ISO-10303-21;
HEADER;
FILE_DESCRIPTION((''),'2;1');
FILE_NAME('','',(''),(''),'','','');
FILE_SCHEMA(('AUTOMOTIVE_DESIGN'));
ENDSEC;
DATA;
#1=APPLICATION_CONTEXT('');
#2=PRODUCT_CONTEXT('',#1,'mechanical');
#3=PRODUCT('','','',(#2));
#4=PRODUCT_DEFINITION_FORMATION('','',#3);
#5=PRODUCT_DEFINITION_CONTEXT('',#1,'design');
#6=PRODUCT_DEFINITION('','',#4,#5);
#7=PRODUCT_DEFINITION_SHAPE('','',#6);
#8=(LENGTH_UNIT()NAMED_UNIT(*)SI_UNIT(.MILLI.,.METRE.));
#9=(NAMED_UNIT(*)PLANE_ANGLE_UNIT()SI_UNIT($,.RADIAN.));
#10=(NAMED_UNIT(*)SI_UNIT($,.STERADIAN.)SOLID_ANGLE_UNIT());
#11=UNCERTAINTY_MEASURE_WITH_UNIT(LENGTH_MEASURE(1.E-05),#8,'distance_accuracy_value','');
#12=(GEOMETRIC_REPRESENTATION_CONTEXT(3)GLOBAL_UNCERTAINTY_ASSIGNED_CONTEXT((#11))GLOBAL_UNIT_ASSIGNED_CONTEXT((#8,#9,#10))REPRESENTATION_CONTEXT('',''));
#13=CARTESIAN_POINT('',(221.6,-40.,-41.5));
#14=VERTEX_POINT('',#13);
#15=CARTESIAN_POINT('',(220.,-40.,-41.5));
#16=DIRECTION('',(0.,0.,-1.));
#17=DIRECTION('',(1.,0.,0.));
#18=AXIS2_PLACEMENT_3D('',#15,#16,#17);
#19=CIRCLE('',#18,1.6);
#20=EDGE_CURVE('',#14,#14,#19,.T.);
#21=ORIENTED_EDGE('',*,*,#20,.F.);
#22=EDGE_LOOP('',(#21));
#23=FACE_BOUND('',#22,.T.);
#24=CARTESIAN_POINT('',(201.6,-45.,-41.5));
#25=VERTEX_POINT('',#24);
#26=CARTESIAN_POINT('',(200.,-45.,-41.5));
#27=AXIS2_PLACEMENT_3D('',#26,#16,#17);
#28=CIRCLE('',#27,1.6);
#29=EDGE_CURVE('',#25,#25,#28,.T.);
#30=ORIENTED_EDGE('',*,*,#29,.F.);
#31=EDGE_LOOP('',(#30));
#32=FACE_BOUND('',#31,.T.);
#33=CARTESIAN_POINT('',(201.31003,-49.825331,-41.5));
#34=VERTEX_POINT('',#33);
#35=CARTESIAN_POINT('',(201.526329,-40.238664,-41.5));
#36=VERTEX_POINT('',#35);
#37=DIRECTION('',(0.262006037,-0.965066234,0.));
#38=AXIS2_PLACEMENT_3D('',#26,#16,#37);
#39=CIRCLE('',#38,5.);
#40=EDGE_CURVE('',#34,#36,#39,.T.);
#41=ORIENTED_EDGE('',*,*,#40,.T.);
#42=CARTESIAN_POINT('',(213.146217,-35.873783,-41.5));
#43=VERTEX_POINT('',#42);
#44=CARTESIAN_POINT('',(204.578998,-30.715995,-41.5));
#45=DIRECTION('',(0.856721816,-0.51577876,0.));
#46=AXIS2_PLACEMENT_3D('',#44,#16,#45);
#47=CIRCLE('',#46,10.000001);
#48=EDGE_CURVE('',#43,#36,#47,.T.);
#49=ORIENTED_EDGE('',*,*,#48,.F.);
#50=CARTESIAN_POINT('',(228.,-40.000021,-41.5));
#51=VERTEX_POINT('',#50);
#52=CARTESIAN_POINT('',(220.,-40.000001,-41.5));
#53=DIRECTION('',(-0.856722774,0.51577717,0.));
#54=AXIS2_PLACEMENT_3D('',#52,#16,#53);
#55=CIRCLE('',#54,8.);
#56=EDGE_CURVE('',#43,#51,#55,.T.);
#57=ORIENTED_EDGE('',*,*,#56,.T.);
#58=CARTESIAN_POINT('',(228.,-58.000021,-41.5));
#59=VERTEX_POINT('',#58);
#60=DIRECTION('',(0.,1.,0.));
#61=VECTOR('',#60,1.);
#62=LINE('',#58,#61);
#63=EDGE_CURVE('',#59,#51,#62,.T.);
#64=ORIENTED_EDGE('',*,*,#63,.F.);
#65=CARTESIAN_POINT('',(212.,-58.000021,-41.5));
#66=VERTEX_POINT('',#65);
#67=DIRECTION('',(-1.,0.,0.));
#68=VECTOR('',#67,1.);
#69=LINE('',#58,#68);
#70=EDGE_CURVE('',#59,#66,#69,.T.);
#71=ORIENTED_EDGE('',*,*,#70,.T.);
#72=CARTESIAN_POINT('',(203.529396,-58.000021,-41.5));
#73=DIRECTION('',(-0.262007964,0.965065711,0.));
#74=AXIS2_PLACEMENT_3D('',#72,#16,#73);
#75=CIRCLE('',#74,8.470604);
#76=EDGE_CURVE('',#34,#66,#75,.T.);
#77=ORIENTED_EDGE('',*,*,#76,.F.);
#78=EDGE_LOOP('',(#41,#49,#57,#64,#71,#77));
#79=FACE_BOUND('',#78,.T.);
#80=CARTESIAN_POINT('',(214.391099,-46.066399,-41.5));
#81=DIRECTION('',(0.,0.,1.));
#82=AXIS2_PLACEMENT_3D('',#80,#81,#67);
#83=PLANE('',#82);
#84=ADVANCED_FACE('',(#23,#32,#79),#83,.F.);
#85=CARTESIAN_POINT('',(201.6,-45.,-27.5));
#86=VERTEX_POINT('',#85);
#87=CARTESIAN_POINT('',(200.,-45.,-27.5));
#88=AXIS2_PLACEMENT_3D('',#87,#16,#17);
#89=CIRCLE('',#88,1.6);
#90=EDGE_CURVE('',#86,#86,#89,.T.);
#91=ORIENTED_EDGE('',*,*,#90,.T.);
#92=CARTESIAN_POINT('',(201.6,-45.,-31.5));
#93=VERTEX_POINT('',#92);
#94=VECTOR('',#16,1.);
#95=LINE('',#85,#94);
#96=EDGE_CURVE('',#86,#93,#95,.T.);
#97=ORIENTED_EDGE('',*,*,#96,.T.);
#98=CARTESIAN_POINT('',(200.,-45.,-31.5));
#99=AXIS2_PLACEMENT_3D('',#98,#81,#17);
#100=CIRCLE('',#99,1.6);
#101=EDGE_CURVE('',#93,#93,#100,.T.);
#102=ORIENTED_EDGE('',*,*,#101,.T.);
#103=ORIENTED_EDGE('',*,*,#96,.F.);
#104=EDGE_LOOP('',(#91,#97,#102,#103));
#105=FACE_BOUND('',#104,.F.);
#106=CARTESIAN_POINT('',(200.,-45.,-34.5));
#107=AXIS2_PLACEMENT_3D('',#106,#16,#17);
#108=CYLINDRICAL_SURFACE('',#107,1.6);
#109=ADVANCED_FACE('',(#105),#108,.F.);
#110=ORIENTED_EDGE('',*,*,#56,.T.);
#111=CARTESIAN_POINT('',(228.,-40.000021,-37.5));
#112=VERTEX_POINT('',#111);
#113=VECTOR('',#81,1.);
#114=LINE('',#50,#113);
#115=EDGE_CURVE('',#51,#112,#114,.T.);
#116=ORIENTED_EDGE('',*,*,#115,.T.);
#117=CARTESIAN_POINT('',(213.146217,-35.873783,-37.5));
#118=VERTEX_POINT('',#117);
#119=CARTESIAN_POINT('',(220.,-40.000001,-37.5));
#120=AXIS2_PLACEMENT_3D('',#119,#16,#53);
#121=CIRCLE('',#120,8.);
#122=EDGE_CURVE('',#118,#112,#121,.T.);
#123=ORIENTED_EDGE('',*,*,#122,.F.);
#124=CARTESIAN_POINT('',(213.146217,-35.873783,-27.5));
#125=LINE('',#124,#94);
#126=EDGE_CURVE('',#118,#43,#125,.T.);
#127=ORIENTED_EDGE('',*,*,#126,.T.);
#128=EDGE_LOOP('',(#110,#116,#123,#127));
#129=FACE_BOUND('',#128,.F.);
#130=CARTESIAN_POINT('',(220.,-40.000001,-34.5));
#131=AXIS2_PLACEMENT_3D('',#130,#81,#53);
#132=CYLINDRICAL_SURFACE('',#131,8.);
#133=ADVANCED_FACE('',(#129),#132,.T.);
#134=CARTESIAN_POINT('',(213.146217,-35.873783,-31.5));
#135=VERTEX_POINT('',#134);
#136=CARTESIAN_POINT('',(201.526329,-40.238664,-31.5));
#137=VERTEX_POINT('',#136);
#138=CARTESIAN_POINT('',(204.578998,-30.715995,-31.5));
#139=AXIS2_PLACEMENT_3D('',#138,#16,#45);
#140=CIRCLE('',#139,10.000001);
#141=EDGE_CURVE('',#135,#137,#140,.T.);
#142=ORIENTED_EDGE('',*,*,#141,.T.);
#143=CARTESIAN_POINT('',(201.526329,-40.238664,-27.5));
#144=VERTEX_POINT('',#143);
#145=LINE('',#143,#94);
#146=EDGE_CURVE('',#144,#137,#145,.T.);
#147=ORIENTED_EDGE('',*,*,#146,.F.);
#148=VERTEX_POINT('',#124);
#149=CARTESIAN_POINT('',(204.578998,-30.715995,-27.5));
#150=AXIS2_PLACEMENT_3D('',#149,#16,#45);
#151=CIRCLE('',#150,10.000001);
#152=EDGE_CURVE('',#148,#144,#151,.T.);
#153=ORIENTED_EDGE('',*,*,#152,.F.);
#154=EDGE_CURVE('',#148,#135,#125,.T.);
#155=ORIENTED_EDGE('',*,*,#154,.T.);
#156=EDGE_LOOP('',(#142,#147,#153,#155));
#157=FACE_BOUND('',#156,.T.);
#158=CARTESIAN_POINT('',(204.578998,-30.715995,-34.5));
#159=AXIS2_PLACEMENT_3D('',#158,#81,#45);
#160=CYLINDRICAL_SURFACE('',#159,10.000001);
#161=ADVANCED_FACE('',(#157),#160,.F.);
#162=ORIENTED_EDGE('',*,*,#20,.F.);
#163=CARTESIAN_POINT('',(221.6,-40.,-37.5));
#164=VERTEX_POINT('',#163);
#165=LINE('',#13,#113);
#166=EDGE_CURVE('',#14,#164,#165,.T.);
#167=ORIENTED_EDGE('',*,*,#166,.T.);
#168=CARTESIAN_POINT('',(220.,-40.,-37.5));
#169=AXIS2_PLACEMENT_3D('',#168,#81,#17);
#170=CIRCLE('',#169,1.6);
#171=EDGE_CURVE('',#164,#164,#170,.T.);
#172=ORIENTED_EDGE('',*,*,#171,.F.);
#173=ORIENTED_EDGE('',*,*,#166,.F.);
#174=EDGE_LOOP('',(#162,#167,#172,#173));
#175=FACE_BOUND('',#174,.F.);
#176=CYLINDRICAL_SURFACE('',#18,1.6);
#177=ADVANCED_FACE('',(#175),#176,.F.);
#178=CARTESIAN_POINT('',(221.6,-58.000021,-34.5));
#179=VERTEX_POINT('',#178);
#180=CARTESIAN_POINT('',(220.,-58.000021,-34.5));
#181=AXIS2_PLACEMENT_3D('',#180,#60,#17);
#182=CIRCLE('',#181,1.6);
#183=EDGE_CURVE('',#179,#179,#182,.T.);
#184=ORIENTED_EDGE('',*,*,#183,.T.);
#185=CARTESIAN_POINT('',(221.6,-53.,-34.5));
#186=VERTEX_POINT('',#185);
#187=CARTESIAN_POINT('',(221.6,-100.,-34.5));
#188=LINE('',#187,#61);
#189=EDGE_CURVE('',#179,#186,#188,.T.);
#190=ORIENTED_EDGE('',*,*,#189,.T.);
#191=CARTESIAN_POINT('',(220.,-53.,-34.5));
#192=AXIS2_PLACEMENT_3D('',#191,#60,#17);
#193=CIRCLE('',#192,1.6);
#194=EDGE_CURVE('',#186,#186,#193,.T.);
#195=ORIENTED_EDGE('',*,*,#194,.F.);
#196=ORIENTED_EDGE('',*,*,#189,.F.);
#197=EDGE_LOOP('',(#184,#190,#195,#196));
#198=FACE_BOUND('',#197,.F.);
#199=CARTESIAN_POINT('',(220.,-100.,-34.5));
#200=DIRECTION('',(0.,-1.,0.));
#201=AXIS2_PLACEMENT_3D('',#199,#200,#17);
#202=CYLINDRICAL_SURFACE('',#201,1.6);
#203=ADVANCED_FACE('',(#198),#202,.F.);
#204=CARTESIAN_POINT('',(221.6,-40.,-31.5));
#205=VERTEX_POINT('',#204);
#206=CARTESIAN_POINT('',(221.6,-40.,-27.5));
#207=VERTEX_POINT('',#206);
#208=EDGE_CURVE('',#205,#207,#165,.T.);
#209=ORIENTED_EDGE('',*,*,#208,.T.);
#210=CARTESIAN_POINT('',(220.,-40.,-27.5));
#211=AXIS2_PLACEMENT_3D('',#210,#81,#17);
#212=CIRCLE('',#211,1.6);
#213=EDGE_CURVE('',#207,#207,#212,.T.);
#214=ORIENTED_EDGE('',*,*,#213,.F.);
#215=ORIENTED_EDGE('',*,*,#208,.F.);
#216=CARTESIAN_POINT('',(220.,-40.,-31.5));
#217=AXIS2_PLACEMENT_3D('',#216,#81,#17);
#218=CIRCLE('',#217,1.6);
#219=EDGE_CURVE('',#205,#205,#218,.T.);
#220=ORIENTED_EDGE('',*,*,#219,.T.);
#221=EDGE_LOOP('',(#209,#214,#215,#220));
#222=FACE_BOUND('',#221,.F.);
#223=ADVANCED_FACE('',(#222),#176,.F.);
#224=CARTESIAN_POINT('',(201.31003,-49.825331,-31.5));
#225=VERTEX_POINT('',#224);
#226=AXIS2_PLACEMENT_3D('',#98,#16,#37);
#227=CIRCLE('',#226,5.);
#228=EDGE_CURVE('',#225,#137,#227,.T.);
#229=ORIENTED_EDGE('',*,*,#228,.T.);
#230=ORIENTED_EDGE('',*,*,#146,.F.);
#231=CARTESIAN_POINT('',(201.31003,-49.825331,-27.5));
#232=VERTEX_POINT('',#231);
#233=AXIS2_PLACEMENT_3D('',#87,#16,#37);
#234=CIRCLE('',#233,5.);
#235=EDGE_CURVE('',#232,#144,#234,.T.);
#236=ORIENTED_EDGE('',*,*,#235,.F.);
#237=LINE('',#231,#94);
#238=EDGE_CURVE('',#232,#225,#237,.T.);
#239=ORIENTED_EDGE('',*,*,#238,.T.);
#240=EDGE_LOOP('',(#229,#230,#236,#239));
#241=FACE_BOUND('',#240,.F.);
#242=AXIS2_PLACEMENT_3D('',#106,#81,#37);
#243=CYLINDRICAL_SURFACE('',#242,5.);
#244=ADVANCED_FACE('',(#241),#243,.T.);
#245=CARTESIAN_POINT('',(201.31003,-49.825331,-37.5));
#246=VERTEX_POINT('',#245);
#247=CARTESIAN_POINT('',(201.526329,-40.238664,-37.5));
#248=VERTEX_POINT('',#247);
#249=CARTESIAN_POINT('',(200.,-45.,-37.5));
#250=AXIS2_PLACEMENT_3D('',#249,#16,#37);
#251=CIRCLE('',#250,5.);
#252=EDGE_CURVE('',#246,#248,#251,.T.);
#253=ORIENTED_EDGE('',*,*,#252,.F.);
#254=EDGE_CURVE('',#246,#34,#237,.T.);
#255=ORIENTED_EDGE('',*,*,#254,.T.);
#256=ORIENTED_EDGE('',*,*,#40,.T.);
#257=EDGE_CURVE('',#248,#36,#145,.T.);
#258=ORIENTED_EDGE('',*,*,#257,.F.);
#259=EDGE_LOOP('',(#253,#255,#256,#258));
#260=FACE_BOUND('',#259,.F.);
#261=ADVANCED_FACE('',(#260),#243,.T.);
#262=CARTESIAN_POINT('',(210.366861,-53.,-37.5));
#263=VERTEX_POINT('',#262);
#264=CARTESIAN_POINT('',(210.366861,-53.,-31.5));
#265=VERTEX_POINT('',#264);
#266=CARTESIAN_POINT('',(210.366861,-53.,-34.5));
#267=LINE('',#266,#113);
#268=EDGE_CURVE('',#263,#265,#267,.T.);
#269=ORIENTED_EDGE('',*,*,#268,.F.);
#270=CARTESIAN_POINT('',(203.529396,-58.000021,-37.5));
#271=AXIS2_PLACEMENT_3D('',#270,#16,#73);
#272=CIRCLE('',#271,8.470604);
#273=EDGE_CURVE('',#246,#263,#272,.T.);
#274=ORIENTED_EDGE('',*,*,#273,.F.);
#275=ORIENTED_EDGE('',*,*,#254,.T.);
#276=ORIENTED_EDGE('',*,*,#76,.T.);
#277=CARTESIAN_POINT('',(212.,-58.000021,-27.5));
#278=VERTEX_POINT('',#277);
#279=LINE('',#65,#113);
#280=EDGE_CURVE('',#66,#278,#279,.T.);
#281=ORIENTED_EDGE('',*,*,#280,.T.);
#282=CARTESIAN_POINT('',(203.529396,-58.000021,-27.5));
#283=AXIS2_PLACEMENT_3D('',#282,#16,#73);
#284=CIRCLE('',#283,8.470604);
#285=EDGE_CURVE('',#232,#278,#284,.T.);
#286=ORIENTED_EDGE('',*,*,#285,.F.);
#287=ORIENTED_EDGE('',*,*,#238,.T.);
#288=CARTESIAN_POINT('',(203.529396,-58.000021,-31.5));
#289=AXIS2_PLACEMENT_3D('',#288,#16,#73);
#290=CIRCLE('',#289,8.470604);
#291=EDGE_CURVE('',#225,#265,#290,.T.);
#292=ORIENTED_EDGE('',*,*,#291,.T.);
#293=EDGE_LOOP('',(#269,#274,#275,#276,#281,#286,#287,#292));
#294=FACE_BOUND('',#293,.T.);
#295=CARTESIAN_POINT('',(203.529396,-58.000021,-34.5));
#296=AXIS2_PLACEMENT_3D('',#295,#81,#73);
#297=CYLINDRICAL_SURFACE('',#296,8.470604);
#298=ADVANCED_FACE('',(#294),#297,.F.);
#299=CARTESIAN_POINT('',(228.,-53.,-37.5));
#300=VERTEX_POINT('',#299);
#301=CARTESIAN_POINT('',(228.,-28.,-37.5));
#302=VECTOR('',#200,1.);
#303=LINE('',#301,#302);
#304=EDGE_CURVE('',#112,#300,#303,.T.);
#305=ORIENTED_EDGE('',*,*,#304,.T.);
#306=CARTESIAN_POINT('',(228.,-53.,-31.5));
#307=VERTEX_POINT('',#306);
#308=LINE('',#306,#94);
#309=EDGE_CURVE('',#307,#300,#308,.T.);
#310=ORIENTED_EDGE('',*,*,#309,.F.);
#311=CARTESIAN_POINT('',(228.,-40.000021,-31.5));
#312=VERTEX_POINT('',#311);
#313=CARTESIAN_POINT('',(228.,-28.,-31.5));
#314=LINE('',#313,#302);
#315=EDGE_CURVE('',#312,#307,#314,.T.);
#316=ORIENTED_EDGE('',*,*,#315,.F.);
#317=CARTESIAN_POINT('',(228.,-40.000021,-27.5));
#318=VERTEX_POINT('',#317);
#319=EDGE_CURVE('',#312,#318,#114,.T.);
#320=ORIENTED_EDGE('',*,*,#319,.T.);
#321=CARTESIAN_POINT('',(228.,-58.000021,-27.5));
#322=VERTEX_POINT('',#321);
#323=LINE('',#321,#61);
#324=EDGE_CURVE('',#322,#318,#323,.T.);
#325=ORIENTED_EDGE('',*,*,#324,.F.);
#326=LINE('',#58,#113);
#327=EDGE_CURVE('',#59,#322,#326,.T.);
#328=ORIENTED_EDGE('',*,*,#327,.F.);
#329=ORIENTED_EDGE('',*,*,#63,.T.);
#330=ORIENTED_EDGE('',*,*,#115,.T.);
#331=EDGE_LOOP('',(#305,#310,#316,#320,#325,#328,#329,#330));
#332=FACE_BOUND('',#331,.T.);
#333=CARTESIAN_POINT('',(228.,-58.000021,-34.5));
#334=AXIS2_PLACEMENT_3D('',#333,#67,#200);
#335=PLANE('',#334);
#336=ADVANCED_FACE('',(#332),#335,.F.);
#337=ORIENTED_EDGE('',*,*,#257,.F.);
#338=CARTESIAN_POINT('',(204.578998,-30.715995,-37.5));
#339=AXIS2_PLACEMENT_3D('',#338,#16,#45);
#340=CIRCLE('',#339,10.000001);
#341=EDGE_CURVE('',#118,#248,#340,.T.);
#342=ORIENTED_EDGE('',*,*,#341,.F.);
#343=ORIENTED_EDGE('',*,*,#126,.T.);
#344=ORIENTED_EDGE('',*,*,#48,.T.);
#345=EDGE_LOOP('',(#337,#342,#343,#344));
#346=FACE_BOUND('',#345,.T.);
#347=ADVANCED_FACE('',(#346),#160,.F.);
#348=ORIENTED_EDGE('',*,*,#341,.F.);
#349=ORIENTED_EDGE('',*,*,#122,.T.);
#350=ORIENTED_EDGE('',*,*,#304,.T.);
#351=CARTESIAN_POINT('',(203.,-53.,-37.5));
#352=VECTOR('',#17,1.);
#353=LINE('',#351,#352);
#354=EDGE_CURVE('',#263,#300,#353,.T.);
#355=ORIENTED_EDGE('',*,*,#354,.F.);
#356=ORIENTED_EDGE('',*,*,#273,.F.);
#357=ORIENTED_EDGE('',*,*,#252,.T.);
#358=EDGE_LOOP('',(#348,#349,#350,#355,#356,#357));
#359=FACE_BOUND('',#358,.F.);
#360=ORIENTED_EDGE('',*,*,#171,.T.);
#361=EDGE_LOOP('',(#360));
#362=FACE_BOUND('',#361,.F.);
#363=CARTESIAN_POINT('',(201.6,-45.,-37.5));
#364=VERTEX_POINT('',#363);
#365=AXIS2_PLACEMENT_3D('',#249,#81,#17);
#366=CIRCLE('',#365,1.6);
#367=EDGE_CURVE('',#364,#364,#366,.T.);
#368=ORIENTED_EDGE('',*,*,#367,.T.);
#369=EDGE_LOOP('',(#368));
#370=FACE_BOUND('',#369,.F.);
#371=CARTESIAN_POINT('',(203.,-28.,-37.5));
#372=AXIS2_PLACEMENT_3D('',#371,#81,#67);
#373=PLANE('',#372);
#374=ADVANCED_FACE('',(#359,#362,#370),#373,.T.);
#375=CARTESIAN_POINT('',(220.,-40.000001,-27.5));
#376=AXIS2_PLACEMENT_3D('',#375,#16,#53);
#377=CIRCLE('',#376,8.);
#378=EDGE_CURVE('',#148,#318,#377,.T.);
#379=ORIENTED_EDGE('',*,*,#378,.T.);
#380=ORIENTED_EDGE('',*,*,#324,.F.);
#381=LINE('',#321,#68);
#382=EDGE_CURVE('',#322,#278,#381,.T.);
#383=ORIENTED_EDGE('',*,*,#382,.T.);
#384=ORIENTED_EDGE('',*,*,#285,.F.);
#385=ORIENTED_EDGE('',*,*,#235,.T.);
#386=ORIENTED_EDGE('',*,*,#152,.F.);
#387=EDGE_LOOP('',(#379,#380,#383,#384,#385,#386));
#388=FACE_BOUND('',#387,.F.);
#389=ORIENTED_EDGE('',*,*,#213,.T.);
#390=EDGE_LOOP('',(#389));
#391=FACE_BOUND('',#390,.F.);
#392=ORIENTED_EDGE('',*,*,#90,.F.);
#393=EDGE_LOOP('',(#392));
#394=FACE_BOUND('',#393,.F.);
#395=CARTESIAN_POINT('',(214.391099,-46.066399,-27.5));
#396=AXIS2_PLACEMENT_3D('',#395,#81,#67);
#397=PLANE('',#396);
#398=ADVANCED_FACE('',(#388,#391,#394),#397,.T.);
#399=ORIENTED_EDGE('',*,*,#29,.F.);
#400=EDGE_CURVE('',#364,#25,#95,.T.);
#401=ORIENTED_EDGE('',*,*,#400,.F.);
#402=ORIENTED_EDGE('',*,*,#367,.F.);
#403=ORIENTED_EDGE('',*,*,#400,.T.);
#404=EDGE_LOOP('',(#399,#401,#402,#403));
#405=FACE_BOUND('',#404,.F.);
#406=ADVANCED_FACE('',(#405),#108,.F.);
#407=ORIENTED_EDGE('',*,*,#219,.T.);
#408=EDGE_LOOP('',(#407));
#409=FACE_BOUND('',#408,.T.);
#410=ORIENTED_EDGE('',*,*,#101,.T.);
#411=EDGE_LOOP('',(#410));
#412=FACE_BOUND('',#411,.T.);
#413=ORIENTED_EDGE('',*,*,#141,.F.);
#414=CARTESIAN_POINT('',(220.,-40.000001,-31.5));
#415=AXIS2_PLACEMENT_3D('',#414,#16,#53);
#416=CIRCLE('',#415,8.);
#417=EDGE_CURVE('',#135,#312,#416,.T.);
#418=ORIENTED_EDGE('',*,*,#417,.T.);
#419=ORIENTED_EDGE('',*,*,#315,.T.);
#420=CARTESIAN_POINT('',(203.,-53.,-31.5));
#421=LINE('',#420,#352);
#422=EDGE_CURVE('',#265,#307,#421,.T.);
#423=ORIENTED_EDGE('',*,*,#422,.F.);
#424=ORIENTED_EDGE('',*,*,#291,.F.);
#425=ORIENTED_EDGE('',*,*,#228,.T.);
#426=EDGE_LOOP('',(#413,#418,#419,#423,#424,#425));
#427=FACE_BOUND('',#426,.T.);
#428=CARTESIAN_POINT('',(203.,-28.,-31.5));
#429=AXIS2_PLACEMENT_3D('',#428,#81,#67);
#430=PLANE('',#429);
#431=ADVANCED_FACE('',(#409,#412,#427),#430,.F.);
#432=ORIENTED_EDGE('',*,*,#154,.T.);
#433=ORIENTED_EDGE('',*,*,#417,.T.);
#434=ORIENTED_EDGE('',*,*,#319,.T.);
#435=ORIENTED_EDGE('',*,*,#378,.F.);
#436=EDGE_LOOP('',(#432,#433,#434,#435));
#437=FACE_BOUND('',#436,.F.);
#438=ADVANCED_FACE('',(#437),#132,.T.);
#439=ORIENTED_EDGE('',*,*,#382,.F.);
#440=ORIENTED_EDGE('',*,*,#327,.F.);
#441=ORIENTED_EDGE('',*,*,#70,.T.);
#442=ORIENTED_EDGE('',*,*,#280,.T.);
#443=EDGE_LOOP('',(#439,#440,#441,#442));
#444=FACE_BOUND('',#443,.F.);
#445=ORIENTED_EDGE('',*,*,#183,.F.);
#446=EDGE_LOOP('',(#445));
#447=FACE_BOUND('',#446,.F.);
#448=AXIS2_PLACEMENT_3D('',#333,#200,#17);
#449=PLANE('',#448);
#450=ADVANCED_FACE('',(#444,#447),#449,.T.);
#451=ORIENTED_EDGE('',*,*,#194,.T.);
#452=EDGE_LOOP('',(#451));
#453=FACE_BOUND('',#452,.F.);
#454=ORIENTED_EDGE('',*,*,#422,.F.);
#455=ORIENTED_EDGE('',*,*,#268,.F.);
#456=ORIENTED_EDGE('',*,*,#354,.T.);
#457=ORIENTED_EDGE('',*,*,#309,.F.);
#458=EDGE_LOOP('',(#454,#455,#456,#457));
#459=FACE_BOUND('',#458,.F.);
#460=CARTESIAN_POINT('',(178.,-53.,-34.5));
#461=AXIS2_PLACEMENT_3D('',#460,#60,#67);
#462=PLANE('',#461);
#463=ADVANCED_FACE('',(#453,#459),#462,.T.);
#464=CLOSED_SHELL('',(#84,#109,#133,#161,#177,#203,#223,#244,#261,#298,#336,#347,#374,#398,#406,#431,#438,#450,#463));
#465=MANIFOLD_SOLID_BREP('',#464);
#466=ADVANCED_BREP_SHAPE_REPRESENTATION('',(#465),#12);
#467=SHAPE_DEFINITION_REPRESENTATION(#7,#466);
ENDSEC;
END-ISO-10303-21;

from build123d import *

# Parameters (mm, degrees)
CYLINDER024_R          = 1.6
CYLINDER024_DEPTH      = 23
CYLINDER010_R          = 1.6
CYLINDER010_DEPTH      = 200
CYLINDER010_ROLL_ANGLE = 90
SKETCH006_W            = 50
SKETCH006_H            = 50
PAD009_DEPTH           = 3
SKETCH005_R            = 1.6
PAD008_DEPTH           = 7


with BuildPart() as cilindro024:
    # Cylinder024 → Cylinder024 (new body)
    with BuildSketch(Plane(origin=(220, 40, -41.5), x_dir=(1, 0, 0), z_dir=(0, 0, 1))):
        Circle(CYLINDER024_R)
    extrude(amount=CYLINDER024_DEPTH)


with BuildPart() as cilindro010:
    # Cylinder010 → Cylinder010 (new body)
    with BuildSketch(Plane.XY):
        Circle(CYLINDER010_R)
    extrude(amount=CYLINDER010_DEPTH)


with BuildPart() as cilindro010_1:
    # Cylinder010 roll: moved
    add(cilindro010.part.rotate(Axis((0, 0, 0), (1, 0, 0)), CYLINDER010_ROLL_ANGLE))


with BuildPart() as cilindro010_2:
    # Cylinder010 placement: moved
    add(cilindro010_1.part.moved(Location((220, 100, -34.5))))


with BuildPart() as pad009:
    # Sketch006 → Pad009 (new body, symmetric)
    with BuildSketch(Plane.XY):
        with Locations((203, 28)):
            Rectangle(SKETCH006_W, SKETCH006_H)
    extrude(amount=PAD009_DEPTH, both=True)


with BuildPart() as cut020:
    # Sketch005 → Pad008 (new body, symmetric)
    with BuildSketch(Plane.XY):
        with BuildLine():
            ThreePointArc((213.146217, 35.873783), (222.141241, 32.291882), (228, 40.000021))
            Line((228, 58.000021), (228, 40.000021))
            Line((228, 58.000021), (212, 58.000021))
            ThreePointArc((201.31003, 49.825331), (208.674868, 51.271332), (212, 58.000021))
            ThreePointArc((201.31003, 49.825331), (195.001272, 44.887217), (201.526329, 40.238664))
            ThreePointArc((213.146217, 35.873783), (208.095475, 40.07732), (201.526329, 40.238664))
        make_face()
        with Locations((200, 45)):
            Circle(SKETCH005_R, mode=Mode.SUBTRACT)
    extrude(amount=PAD008_DEPTH, both=True)

    # Cut005: cut Pad009
    add(pad009.part, mode=Mode.SUBTRACT)


with BuildPart() as cut020_1:
    # Cut005 placement: moved
    add(cut020.part.moved(Location((0, 0, -34.5))))

    # Cut006: cut Cilindro010
    add(cilindro010_2.part, mode=Mode.SUBTRACT)

    # Cut020: cut Cilindro024
    add(cilindro024.part, mode=Mode.SUBTRACT)


with BuildPart() as part_mirroring:
    # Part__Mirroring: instance of Cut020
    add(cut020_1.part.mirror(Plane(origin=(0, 0, 0), x_dir=(1, 0, 0), z_dir=(0, 1, 0))))


solid = part_mirroring.part
